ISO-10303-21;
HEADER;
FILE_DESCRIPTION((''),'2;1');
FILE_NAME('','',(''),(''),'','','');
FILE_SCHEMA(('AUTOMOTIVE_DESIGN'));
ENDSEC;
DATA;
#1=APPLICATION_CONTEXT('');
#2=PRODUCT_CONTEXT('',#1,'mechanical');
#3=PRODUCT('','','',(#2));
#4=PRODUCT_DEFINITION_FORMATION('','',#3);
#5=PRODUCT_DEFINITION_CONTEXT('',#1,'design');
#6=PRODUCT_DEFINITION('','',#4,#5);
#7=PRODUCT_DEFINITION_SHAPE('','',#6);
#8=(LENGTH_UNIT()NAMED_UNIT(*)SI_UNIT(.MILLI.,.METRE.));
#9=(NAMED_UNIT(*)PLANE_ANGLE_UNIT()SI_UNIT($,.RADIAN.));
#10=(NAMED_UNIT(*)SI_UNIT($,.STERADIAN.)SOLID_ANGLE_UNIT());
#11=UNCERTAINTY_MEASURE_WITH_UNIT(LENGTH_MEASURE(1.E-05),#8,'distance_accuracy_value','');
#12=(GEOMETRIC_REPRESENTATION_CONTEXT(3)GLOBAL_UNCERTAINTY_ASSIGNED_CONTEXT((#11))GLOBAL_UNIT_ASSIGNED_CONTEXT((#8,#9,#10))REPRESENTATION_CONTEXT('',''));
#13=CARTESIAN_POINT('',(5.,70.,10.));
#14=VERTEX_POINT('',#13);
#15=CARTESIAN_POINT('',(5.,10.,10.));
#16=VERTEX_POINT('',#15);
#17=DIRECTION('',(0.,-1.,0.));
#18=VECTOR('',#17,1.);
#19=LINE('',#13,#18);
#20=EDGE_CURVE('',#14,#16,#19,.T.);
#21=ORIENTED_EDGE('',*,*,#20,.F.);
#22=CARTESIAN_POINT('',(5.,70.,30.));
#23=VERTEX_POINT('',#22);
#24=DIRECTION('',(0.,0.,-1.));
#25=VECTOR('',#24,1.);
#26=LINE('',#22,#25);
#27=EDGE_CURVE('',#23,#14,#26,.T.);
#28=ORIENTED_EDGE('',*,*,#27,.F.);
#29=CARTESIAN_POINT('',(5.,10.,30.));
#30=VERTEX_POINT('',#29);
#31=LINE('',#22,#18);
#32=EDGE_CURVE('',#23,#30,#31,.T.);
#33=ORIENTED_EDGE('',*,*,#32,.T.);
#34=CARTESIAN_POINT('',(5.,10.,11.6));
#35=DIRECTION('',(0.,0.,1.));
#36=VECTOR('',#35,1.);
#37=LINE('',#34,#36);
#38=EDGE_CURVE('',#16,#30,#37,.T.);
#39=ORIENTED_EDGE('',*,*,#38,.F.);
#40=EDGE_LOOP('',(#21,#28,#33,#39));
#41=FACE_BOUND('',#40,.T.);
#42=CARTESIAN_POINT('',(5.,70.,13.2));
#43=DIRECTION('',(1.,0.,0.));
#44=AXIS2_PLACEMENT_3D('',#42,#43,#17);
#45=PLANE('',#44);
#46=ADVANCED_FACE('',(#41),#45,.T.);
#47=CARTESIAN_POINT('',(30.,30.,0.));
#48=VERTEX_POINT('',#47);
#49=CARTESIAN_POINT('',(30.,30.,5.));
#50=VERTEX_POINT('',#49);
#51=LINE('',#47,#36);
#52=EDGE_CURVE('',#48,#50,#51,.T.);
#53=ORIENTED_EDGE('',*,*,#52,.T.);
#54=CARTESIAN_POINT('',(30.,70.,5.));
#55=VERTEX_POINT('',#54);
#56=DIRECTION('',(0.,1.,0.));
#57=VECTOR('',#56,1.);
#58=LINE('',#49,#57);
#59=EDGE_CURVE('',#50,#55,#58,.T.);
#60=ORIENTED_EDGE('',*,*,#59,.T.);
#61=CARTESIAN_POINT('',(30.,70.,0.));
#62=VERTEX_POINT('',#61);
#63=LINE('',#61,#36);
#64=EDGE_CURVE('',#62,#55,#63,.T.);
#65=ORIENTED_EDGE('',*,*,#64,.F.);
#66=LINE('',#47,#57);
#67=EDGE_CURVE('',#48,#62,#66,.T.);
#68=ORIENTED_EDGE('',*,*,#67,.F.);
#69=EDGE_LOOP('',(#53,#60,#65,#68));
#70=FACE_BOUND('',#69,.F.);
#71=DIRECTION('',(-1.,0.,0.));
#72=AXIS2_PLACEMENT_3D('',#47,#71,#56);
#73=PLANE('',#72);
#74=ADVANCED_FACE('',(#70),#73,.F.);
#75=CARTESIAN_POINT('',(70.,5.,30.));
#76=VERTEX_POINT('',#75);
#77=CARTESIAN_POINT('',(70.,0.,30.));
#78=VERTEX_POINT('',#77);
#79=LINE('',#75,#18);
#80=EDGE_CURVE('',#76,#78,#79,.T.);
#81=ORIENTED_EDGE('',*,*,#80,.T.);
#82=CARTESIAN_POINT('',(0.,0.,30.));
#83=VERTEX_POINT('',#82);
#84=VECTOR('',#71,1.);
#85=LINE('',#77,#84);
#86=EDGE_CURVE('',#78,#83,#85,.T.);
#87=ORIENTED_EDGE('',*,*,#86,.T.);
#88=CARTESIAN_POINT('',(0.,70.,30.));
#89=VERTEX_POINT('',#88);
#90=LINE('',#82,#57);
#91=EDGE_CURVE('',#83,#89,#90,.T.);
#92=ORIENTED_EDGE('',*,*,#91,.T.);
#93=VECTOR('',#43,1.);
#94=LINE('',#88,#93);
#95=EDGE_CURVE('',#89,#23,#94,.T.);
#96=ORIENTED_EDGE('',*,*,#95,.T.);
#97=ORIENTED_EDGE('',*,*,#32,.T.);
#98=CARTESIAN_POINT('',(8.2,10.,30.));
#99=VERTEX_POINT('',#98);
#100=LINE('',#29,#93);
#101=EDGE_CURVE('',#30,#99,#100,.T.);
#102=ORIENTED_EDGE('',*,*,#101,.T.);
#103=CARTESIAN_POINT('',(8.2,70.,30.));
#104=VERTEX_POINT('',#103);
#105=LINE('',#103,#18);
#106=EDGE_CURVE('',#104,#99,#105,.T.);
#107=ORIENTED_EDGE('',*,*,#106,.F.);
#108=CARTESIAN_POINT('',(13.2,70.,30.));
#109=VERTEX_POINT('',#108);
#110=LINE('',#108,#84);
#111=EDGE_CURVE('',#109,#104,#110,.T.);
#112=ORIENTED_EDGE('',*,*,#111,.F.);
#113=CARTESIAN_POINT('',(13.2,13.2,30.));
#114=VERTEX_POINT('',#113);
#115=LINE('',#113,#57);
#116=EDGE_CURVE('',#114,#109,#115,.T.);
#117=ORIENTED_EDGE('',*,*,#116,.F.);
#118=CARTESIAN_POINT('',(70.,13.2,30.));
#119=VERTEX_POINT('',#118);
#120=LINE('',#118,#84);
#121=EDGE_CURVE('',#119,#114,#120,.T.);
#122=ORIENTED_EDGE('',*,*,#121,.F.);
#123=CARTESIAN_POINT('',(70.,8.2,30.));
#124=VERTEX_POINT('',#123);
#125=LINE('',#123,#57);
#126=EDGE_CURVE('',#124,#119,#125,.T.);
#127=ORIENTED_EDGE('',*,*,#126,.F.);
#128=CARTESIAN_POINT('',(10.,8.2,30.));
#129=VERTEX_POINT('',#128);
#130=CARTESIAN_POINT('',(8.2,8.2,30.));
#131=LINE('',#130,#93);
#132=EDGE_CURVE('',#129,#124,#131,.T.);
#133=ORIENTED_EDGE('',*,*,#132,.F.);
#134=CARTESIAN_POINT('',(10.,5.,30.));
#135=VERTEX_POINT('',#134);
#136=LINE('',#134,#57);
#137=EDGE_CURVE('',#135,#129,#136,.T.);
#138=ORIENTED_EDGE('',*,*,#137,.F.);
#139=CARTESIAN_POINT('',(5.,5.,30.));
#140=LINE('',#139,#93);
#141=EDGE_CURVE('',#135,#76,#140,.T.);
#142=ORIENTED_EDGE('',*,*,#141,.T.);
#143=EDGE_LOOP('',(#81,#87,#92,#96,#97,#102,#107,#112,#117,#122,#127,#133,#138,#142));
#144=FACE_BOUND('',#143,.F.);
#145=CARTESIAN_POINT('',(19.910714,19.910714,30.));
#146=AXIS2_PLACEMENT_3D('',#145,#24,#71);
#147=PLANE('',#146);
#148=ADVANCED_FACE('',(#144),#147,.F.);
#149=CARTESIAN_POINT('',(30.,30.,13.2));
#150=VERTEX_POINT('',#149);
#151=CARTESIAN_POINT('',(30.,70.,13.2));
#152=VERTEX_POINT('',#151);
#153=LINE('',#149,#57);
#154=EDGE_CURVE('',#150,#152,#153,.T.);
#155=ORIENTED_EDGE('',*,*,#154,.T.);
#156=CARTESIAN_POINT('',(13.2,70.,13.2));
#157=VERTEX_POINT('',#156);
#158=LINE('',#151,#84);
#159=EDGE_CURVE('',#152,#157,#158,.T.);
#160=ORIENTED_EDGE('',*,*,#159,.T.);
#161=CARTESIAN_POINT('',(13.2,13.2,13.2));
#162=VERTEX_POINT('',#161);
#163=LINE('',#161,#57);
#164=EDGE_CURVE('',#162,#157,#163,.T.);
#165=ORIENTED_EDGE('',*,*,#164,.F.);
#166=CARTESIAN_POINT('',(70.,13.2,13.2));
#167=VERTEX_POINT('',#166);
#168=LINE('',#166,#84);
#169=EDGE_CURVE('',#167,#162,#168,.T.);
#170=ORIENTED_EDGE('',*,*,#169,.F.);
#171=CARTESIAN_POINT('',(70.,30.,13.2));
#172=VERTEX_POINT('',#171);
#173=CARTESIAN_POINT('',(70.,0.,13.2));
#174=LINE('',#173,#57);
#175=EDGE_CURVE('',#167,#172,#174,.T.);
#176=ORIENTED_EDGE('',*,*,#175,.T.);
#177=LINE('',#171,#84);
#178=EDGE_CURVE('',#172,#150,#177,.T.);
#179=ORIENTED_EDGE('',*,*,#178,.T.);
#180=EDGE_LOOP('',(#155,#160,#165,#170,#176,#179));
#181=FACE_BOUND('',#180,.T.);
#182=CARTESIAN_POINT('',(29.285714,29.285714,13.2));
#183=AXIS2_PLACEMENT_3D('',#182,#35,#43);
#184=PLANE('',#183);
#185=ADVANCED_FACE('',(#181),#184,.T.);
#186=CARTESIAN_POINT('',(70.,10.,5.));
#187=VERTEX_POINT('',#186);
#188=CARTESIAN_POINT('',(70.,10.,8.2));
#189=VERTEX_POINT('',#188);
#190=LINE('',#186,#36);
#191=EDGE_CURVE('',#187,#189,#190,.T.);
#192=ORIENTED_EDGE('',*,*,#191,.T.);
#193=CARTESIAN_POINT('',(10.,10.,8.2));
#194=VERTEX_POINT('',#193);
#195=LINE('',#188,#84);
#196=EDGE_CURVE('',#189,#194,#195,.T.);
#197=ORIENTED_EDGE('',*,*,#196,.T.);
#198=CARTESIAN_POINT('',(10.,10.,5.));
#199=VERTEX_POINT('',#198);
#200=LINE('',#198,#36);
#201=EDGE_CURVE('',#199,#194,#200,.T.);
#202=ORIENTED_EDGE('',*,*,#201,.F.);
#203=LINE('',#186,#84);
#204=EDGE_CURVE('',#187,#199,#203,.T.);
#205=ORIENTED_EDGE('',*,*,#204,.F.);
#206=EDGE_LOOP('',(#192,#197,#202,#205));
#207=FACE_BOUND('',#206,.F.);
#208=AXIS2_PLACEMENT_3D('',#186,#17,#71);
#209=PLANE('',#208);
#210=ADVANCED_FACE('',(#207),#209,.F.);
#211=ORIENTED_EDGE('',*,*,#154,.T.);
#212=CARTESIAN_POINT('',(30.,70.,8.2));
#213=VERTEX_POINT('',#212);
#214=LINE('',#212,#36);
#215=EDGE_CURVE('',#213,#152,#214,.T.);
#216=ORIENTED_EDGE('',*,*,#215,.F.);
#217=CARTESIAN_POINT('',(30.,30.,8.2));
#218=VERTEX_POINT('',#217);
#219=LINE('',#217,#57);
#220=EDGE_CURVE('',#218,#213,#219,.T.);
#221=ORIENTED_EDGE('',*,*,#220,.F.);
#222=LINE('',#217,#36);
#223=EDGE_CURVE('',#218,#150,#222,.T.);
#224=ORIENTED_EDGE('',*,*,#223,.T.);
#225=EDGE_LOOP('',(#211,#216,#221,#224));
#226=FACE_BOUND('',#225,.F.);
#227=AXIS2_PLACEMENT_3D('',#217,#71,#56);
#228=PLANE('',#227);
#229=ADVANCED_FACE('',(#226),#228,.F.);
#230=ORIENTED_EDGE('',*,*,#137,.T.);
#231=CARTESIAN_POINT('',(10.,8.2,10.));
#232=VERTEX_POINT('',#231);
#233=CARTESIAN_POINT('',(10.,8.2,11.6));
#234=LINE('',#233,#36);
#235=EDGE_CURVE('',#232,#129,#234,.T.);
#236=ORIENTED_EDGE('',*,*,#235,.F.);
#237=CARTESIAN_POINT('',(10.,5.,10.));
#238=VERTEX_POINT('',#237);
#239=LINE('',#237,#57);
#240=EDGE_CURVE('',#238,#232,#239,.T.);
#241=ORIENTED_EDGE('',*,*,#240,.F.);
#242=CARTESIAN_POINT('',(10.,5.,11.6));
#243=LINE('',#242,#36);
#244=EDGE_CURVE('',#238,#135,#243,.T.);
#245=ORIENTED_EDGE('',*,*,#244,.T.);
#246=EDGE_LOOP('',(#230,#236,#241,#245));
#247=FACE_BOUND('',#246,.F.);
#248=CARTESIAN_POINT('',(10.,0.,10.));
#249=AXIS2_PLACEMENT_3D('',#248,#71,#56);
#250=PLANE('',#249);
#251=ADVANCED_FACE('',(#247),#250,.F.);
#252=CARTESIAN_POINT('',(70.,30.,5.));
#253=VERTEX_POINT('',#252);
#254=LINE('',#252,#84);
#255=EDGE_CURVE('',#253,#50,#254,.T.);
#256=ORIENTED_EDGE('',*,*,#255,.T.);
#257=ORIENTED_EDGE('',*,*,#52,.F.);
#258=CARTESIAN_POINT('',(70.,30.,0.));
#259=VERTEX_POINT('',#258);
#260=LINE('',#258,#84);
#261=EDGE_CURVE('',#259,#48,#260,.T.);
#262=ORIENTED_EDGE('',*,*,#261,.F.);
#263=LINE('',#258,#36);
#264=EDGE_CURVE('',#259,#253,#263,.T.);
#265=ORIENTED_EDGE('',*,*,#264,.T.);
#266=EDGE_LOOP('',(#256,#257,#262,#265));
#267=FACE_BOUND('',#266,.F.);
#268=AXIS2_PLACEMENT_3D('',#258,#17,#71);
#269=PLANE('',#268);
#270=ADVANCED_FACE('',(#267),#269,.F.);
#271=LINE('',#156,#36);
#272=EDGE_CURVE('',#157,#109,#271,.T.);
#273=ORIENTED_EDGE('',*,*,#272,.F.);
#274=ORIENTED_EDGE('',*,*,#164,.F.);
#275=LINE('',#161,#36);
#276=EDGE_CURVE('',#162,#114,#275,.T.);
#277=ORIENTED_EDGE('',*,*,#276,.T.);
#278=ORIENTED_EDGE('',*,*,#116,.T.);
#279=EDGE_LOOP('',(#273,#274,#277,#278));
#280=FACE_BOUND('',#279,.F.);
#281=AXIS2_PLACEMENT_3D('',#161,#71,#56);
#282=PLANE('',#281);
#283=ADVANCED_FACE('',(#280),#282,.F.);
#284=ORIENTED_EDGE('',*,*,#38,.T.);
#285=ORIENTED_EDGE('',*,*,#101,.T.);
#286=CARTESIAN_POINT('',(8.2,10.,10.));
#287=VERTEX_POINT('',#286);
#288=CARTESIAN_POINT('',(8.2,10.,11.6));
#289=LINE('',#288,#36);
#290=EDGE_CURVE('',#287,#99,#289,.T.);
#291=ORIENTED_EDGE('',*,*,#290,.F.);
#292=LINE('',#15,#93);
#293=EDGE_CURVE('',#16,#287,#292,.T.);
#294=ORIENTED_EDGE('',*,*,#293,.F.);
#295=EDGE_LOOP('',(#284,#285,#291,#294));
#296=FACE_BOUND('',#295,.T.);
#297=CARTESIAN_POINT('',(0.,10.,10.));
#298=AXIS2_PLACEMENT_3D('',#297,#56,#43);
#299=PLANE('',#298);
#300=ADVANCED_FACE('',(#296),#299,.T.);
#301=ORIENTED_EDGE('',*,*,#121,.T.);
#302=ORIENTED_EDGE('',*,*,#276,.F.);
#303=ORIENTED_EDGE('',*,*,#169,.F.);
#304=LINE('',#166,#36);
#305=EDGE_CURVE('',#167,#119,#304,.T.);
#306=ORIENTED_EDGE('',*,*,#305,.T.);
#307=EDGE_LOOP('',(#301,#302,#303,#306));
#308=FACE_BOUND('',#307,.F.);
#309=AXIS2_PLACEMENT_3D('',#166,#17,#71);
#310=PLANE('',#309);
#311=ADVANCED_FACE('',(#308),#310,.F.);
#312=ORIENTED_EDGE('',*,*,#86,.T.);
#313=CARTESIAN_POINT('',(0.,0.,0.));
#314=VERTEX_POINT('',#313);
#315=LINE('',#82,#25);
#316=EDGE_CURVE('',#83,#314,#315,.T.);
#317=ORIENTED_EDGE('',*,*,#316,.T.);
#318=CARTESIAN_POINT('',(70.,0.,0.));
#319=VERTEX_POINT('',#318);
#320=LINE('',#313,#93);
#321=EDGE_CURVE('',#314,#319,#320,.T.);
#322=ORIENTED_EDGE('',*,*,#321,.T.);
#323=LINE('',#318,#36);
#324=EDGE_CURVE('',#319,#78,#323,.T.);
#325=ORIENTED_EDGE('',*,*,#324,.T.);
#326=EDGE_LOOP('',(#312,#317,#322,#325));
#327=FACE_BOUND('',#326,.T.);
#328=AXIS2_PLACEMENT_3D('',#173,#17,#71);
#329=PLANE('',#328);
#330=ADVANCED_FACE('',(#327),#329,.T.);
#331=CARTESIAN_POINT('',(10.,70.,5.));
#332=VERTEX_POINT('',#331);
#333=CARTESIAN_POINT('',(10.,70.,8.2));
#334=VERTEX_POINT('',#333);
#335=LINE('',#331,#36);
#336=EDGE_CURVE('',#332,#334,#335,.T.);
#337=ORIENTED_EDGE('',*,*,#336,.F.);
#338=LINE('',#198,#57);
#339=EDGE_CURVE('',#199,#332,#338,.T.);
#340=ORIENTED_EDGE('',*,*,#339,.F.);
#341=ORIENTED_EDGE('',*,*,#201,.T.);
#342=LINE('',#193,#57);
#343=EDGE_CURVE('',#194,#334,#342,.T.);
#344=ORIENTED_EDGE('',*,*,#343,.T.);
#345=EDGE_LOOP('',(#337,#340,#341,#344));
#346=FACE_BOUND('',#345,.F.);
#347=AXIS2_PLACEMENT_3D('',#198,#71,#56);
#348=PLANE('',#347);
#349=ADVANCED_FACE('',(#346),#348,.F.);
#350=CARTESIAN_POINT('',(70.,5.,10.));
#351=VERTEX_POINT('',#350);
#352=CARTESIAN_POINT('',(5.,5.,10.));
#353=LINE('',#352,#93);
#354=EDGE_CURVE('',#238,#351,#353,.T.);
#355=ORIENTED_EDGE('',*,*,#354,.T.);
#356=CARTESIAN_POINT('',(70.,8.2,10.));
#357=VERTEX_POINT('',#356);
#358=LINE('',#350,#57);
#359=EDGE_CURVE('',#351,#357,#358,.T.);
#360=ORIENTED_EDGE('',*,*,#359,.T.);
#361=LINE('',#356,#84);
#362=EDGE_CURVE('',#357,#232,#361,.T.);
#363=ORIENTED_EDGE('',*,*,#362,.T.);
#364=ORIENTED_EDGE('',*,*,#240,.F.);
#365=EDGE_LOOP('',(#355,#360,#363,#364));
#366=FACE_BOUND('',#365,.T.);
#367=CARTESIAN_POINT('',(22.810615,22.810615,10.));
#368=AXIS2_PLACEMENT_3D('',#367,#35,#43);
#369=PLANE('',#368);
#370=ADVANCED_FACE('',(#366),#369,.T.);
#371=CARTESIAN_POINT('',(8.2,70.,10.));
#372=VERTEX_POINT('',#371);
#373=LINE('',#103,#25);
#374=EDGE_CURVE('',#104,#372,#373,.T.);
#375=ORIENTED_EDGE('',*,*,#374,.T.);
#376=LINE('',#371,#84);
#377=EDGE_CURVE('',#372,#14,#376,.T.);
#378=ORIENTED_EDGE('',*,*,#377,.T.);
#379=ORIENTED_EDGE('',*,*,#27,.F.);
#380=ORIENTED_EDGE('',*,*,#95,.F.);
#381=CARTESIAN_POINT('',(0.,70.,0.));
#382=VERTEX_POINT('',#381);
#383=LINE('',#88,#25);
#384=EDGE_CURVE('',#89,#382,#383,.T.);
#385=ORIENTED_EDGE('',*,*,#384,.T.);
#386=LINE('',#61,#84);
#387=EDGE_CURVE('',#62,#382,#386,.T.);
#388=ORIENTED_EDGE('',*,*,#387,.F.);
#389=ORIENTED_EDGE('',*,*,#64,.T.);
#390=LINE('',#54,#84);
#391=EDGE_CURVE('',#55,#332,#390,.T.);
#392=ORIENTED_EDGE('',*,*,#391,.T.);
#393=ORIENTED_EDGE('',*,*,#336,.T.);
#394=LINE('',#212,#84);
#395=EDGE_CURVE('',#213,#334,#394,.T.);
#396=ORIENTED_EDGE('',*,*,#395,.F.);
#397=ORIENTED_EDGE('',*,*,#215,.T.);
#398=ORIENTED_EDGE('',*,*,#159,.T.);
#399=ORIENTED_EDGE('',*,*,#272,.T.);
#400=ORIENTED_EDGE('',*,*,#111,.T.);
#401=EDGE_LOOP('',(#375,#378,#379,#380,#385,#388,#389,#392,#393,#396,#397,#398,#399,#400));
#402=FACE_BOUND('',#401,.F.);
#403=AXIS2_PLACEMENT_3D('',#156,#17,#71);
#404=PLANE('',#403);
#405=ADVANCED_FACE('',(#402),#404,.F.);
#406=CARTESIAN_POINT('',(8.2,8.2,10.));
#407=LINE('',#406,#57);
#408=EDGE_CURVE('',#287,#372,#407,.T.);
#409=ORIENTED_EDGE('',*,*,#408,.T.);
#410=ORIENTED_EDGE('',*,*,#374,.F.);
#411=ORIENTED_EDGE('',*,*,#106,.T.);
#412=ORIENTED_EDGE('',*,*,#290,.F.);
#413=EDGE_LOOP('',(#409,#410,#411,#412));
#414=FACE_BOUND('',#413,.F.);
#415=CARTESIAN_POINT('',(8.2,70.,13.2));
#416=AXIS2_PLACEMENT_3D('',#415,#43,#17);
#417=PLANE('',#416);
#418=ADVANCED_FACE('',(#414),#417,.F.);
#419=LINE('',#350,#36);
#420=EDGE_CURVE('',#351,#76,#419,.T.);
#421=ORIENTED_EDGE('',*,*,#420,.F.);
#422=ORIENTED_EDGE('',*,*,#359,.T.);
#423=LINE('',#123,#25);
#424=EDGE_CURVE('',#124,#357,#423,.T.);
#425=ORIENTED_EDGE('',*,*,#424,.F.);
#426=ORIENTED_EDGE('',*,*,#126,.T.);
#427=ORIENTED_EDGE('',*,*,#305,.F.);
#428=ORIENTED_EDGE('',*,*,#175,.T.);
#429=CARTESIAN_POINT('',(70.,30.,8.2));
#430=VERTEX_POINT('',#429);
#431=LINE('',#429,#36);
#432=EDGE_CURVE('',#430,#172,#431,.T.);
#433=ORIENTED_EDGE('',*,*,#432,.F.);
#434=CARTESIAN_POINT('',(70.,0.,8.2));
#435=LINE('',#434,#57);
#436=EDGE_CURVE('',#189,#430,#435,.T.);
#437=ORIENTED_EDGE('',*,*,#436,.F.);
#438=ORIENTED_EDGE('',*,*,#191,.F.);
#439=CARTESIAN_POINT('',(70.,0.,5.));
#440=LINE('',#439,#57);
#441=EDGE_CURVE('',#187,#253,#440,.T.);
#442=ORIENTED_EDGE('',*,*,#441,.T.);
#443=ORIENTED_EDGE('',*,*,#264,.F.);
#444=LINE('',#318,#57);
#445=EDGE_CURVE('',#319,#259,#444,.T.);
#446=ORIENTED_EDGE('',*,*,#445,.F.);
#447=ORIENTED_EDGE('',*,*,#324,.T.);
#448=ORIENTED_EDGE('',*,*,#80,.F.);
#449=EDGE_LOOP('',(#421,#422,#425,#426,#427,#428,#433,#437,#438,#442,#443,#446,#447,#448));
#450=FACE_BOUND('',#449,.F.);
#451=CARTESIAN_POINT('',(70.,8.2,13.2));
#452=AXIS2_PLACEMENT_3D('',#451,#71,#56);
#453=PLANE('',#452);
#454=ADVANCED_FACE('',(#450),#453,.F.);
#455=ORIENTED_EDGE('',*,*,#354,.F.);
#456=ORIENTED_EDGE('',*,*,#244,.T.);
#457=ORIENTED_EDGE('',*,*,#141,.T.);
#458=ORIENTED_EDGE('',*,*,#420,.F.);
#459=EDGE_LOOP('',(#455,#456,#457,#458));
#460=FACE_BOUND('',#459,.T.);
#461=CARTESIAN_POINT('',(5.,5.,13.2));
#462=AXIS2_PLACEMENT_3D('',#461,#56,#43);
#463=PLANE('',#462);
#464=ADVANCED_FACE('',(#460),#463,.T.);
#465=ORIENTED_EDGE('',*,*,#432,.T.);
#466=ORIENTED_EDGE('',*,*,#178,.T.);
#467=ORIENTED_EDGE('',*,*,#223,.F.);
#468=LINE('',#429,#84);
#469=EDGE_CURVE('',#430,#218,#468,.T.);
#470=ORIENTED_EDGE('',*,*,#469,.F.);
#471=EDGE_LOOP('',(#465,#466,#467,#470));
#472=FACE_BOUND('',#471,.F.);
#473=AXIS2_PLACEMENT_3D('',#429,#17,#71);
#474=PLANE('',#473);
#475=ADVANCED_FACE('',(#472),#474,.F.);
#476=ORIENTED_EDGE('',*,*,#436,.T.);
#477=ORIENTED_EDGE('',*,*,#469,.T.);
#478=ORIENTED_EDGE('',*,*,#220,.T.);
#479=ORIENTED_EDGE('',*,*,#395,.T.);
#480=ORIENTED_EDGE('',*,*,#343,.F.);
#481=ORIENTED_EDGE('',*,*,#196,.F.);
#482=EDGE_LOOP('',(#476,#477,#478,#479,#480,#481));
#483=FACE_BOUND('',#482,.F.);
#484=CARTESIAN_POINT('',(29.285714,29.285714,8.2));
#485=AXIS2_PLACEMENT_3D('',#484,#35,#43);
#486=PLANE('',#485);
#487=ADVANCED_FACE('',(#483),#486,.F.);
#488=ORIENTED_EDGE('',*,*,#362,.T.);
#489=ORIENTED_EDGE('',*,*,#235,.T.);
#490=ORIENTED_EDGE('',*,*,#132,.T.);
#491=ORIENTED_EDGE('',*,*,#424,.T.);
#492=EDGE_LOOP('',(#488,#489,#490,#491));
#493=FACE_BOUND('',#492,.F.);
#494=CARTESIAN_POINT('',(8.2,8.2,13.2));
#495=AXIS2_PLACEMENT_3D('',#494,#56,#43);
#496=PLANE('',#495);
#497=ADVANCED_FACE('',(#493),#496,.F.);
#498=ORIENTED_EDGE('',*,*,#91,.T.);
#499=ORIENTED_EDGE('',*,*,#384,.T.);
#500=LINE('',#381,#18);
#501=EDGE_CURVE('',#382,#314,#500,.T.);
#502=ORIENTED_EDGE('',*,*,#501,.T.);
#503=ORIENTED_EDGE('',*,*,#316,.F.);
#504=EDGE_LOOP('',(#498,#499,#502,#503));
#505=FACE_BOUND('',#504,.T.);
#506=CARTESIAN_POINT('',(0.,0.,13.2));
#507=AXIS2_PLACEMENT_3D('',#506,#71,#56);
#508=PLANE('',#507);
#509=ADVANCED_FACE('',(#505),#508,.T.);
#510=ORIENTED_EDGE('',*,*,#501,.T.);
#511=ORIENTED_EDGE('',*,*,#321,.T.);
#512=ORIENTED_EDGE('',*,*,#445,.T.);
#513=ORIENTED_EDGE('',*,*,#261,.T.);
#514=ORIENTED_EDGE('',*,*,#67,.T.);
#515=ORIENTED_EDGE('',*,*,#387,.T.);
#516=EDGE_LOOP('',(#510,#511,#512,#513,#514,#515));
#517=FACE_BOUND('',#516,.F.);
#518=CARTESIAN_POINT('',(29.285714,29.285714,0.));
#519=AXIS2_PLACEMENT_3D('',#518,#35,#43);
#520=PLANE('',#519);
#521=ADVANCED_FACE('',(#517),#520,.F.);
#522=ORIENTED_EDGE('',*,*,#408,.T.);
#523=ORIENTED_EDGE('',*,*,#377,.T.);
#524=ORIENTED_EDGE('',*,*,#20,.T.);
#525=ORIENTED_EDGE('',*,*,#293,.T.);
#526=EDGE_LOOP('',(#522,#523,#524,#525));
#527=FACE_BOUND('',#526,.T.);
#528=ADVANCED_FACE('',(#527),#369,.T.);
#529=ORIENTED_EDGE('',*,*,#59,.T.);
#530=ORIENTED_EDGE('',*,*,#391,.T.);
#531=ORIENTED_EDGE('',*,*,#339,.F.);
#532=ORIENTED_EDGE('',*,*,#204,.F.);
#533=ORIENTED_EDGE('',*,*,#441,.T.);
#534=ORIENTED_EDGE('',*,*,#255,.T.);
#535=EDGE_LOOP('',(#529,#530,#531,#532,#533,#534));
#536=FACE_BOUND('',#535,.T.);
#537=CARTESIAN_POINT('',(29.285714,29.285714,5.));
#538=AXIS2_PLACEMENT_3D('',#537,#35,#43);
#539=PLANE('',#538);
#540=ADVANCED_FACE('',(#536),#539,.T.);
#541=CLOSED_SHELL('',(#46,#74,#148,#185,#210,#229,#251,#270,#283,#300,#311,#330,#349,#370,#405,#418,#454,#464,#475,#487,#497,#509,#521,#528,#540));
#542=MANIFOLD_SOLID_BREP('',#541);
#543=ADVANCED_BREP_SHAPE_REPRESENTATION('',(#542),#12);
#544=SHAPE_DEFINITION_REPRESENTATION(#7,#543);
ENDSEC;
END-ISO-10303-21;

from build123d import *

# Parameters (mm, degrees)
PAD_DEPTH    = 5
PAD001_DEPTH = 3.2
PAD002_DEPTH = 5
POCKET_DEPTH = 3.2
PAD003_DEPTH = 16.8
PAD004_DEPTH = 16.8
SKETCH006_W  = 10
SKETCH006_H  = 10
PAD005_DEPTH = 20


with BuildPart() as part:
    # Sketch → Pad (new body)
    with BuildSketch(Plane.XY):
        Polygon((0, 0), (70, 0), (70, 30), (30, 30), (30, 70), (0, 70), align=None)
    extrude(amount=PAD_DEPTH)

    # Sketch001 (on DatumPlane) → Pad001 (join)
    with BuildSketch(Plane.XY.offset(5)):
        Polygon((0, 0), (70, 0), (70, 10), (10, 10), (10, 70), (0, 70), align=None)
    extrude(amount=PAD001_DEPTH)

    # Sketch002 (on DatumPlane) → Pad002 (join)
    with BuildSketch(Plane.XY.offset(8.2)):
        Polygon((0, 0), (70, 0), (70, 30), (30, 30), (30, 70), (0, 70), align=None)
    extrude(amount=PAD002_DEPTH)

    # Sketch003 (on DatumPlane) → Pocket (cut)
    with BuildSketch(Plane.XY.offset(13.2)):
        Polygon((5, 70), (5, 5), (70, 5), (70, 8.2), (8.2, 8.2), (8.2, 70), align=None)
    extrude(amount=-POCKET_DEPTH, mode=Mode.SUBTRACT)

    # Sketch004 (on DatumPlane) → Pad003 (join)
    with BuildSketch(Plane.XY.offset(13.2)):
        Polygon((0, 0), (0, 70), (5, 70), (5, 5), (70, 5), (70, 0), align=None)
    extrude(amount=PAD003_DEPTH)

    # Sketch005 (on DatumPlane) → Pad004 (join)
    with BuildSketch(Plane.XY.offset(13.2)):
        Polygon((70, 8.2), (70, 13.2), (13.2, 13.2), (13.2, 70), (8.2, 70), (8.2, 8.2), align=None)
    extrude(amount=PAD004_DEPTH)

    # Sketch006 (on DatumPlane) → Pad005 (join)
    with BuildSketch(Plane.XY.offset(10)):
        with Locations((5, 5)):
            Rectangle(SKETCH006_W, SKETCH006_H)
    extrude(amount=PAD005_DEPTH)


solid = part.part
